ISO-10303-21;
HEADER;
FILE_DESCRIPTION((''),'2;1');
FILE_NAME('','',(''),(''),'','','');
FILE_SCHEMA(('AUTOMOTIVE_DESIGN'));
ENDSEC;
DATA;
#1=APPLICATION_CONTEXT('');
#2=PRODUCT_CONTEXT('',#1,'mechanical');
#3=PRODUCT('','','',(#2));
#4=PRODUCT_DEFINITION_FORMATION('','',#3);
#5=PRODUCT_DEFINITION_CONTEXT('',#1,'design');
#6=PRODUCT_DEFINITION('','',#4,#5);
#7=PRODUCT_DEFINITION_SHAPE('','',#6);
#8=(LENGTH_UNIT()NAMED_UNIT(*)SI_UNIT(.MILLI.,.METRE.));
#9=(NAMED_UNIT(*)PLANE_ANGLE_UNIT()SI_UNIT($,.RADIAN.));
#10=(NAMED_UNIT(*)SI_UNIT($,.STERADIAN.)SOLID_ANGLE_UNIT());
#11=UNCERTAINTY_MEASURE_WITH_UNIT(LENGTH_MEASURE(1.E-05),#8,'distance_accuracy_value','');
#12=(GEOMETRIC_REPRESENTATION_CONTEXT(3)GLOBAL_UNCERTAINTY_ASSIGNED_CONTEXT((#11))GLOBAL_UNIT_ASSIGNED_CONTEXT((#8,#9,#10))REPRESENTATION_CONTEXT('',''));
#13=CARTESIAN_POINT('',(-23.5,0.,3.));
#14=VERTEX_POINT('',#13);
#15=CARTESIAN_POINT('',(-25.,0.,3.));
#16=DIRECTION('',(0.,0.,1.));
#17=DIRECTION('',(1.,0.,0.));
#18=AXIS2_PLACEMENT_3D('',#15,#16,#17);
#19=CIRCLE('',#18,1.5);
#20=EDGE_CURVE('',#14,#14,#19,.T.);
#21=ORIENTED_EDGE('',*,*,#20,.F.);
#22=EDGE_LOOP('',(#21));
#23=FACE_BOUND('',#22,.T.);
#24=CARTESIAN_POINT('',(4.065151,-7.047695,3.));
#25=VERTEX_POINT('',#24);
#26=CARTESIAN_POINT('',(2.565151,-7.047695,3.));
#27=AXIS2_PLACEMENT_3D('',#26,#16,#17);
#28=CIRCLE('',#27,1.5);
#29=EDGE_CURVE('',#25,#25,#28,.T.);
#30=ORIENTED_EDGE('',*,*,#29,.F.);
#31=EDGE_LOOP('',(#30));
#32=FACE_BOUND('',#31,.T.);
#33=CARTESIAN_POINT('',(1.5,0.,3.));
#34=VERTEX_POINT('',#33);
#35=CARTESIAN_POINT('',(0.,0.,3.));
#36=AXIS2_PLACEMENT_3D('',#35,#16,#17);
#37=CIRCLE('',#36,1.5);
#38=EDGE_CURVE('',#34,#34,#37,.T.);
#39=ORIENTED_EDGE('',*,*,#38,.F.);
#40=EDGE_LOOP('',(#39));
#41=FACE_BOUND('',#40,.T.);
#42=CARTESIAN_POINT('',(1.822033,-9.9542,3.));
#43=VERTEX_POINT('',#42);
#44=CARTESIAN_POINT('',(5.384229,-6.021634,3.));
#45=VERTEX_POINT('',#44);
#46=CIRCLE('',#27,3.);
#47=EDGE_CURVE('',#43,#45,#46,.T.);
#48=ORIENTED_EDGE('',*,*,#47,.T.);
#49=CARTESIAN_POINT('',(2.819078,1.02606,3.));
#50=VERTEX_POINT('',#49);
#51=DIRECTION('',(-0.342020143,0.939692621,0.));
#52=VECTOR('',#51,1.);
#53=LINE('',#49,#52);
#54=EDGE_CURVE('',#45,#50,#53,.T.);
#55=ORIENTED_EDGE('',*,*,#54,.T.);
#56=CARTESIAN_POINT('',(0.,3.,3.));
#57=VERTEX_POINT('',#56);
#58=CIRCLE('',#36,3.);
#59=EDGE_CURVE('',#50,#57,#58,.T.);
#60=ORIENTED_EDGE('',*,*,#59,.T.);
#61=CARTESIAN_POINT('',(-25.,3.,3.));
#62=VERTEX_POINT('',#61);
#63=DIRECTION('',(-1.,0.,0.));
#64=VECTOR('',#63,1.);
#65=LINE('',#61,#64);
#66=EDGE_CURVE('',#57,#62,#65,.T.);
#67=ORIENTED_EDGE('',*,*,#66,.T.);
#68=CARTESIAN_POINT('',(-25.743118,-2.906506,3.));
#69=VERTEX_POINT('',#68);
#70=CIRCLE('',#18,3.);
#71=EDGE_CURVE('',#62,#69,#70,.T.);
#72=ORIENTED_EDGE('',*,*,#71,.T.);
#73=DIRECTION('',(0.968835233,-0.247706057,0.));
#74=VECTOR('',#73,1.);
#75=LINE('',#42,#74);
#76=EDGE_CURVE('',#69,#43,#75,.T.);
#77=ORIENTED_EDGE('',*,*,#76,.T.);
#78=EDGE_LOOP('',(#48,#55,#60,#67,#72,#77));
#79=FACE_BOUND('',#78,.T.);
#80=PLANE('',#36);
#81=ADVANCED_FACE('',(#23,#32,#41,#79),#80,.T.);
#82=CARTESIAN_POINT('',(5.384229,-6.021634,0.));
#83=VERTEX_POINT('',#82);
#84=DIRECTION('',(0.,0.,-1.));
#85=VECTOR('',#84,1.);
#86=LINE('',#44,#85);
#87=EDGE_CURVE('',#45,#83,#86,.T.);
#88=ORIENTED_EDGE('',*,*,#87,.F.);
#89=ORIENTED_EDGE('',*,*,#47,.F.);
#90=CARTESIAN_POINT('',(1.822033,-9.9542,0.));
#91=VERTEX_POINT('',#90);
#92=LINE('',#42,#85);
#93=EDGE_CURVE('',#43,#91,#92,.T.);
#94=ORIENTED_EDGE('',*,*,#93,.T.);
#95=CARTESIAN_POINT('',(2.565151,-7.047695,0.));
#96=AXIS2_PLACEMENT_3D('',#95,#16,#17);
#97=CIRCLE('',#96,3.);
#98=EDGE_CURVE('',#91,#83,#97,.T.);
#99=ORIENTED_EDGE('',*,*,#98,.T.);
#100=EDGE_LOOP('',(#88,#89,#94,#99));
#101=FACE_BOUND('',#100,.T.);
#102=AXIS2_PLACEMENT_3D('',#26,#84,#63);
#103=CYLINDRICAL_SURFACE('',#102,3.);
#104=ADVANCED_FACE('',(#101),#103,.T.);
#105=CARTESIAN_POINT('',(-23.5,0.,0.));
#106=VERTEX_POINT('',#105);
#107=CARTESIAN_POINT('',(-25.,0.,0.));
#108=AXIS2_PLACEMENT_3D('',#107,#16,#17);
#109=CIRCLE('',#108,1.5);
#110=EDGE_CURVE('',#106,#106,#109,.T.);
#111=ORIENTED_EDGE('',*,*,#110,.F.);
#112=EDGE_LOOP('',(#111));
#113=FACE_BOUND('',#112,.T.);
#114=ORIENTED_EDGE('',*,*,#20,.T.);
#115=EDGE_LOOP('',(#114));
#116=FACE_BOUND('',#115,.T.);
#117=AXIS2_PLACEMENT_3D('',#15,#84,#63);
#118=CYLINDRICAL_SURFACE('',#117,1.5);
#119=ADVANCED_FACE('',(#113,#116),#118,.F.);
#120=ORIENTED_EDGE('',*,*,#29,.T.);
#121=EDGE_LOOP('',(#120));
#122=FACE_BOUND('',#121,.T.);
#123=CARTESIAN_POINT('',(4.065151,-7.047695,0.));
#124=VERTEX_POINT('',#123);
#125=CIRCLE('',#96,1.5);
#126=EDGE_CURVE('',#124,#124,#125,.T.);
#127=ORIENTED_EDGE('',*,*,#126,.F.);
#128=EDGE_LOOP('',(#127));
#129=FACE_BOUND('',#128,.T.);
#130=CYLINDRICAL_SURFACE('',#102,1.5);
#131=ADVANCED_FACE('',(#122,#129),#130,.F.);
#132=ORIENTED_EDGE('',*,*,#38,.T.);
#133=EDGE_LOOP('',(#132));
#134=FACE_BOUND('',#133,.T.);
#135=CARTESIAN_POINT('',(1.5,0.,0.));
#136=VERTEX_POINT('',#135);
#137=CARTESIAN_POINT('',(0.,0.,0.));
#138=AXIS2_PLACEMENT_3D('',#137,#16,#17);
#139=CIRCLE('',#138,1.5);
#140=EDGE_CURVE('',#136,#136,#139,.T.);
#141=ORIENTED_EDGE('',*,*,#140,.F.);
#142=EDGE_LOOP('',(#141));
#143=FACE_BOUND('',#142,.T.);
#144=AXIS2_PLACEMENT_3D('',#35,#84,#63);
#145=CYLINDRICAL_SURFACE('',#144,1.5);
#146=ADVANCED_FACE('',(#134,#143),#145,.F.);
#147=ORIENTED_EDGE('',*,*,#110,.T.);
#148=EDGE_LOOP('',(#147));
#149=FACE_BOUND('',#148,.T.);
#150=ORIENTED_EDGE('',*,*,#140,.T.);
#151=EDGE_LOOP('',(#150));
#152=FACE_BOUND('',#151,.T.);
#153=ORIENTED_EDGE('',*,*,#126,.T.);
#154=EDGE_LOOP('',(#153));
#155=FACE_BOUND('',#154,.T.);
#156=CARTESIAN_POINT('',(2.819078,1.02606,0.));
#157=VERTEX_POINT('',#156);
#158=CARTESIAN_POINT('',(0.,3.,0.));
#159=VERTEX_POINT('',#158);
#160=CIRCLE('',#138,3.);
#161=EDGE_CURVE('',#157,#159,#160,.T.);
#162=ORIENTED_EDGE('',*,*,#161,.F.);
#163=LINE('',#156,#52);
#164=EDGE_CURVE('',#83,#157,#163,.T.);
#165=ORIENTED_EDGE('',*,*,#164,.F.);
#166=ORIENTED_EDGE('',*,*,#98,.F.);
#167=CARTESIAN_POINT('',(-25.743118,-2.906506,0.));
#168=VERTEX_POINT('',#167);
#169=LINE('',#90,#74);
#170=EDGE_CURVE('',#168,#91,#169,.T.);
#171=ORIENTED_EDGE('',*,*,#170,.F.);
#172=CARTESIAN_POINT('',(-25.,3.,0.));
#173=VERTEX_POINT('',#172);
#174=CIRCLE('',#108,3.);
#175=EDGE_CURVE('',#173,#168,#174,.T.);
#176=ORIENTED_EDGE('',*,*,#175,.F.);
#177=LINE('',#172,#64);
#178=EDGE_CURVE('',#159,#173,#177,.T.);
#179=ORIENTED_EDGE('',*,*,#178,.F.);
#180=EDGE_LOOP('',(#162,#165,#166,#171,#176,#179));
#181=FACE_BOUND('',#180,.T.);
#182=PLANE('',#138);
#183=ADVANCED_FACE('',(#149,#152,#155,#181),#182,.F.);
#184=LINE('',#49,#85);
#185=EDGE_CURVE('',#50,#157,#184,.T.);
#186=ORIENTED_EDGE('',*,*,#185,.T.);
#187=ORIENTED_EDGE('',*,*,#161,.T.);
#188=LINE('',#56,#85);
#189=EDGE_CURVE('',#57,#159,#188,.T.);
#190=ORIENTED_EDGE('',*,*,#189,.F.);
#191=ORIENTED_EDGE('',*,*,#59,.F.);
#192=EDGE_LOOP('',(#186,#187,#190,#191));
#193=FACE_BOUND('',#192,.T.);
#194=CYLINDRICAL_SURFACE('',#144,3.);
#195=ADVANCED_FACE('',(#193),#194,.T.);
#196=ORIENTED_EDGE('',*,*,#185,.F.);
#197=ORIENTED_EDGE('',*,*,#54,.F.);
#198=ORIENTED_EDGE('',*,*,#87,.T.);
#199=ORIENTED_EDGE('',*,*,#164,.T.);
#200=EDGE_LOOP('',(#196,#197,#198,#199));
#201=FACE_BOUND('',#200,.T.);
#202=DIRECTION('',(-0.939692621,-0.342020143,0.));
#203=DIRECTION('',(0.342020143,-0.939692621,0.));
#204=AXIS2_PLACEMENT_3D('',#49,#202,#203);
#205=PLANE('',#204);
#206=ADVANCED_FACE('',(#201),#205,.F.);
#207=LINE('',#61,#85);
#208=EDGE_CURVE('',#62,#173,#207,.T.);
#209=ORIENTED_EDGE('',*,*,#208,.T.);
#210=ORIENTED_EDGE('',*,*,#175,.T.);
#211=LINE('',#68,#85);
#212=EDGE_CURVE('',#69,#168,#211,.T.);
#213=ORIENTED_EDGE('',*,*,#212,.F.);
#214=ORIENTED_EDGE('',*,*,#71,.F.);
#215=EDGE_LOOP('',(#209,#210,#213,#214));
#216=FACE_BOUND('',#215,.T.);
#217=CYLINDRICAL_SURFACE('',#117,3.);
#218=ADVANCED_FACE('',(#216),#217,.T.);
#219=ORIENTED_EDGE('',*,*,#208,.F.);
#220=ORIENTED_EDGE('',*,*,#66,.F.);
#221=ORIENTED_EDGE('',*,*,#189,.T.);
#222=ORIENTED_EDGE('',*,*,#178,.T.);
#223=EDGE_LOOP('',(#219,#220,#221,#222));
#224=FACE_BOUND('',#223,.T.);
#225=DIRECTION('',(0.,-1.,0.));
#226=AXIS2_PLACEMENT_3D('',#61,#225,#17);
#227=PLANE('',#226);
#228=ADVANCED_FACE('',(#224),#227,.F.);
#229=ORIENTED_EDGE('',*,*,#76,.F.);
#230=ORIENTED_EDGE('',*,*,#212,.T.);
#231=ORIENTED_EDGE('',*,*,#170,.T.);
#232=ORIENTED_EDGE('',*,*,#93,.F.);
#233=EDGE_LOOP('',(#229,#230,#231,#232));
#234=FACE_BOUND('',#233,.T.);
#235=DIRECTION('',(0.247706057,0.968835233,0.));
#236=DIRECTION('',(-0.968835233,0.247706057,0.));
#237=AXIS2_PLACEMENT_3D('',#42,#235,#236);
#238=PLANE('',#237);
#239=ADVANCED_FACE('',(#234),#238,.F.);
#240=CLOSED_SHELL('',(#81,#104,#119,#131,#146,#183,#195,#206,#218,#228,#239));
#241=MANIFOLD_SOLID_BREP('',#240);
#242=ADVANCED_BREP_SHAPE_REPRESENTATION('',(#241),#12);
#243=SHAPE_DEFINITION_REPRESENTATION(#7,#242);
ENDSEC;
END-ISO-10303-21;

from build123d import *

# Parameters (mm, degrees)
SKETCH2_R           = 1.5
BOSS_EXTRUDE1_DEPTH = 3


with BuildPart() as part:
    # Sketch2 → Boss-Extrude1 (new body)
    with BuildSketch(Plane.XY):
        with BuildLine():
            Line((-25, 3), (0, 3))
            ThreePointArc((0, 3), (1.720729309, 2.457456133), (2.819077862, 1.02606043))
            Line((2.819077862, 1.02606043), (5.384228937, -6.021634226))
            ThreePointArc((5.384228937, -6.021634226), (4.788587885, -9.061727613), (1.822032903, -9.954200356))
            Line((1.822032903, -9.954200356), (-25.743118172, -2.9065057))
            ThreePointArc((-25.743118172, -2.9065057), (-27.976534655, 0.374488252), (-25, 3))
        make_face()
        with Locations((-25, 0)):
            Circle(SKETCH2_R, mode=Mode.SUBTRACT)
        Circle(SKETCH2_R, mode=Mode.SUBTRACT)
        with Locations((2.565151075, -7.047694656)):
            Circle(SKETCH2_R, mode=Mode.SUBTRACT)
    extrude(amount=BOSS_EXTRUDE1_DEPTH)


solid = part.part
